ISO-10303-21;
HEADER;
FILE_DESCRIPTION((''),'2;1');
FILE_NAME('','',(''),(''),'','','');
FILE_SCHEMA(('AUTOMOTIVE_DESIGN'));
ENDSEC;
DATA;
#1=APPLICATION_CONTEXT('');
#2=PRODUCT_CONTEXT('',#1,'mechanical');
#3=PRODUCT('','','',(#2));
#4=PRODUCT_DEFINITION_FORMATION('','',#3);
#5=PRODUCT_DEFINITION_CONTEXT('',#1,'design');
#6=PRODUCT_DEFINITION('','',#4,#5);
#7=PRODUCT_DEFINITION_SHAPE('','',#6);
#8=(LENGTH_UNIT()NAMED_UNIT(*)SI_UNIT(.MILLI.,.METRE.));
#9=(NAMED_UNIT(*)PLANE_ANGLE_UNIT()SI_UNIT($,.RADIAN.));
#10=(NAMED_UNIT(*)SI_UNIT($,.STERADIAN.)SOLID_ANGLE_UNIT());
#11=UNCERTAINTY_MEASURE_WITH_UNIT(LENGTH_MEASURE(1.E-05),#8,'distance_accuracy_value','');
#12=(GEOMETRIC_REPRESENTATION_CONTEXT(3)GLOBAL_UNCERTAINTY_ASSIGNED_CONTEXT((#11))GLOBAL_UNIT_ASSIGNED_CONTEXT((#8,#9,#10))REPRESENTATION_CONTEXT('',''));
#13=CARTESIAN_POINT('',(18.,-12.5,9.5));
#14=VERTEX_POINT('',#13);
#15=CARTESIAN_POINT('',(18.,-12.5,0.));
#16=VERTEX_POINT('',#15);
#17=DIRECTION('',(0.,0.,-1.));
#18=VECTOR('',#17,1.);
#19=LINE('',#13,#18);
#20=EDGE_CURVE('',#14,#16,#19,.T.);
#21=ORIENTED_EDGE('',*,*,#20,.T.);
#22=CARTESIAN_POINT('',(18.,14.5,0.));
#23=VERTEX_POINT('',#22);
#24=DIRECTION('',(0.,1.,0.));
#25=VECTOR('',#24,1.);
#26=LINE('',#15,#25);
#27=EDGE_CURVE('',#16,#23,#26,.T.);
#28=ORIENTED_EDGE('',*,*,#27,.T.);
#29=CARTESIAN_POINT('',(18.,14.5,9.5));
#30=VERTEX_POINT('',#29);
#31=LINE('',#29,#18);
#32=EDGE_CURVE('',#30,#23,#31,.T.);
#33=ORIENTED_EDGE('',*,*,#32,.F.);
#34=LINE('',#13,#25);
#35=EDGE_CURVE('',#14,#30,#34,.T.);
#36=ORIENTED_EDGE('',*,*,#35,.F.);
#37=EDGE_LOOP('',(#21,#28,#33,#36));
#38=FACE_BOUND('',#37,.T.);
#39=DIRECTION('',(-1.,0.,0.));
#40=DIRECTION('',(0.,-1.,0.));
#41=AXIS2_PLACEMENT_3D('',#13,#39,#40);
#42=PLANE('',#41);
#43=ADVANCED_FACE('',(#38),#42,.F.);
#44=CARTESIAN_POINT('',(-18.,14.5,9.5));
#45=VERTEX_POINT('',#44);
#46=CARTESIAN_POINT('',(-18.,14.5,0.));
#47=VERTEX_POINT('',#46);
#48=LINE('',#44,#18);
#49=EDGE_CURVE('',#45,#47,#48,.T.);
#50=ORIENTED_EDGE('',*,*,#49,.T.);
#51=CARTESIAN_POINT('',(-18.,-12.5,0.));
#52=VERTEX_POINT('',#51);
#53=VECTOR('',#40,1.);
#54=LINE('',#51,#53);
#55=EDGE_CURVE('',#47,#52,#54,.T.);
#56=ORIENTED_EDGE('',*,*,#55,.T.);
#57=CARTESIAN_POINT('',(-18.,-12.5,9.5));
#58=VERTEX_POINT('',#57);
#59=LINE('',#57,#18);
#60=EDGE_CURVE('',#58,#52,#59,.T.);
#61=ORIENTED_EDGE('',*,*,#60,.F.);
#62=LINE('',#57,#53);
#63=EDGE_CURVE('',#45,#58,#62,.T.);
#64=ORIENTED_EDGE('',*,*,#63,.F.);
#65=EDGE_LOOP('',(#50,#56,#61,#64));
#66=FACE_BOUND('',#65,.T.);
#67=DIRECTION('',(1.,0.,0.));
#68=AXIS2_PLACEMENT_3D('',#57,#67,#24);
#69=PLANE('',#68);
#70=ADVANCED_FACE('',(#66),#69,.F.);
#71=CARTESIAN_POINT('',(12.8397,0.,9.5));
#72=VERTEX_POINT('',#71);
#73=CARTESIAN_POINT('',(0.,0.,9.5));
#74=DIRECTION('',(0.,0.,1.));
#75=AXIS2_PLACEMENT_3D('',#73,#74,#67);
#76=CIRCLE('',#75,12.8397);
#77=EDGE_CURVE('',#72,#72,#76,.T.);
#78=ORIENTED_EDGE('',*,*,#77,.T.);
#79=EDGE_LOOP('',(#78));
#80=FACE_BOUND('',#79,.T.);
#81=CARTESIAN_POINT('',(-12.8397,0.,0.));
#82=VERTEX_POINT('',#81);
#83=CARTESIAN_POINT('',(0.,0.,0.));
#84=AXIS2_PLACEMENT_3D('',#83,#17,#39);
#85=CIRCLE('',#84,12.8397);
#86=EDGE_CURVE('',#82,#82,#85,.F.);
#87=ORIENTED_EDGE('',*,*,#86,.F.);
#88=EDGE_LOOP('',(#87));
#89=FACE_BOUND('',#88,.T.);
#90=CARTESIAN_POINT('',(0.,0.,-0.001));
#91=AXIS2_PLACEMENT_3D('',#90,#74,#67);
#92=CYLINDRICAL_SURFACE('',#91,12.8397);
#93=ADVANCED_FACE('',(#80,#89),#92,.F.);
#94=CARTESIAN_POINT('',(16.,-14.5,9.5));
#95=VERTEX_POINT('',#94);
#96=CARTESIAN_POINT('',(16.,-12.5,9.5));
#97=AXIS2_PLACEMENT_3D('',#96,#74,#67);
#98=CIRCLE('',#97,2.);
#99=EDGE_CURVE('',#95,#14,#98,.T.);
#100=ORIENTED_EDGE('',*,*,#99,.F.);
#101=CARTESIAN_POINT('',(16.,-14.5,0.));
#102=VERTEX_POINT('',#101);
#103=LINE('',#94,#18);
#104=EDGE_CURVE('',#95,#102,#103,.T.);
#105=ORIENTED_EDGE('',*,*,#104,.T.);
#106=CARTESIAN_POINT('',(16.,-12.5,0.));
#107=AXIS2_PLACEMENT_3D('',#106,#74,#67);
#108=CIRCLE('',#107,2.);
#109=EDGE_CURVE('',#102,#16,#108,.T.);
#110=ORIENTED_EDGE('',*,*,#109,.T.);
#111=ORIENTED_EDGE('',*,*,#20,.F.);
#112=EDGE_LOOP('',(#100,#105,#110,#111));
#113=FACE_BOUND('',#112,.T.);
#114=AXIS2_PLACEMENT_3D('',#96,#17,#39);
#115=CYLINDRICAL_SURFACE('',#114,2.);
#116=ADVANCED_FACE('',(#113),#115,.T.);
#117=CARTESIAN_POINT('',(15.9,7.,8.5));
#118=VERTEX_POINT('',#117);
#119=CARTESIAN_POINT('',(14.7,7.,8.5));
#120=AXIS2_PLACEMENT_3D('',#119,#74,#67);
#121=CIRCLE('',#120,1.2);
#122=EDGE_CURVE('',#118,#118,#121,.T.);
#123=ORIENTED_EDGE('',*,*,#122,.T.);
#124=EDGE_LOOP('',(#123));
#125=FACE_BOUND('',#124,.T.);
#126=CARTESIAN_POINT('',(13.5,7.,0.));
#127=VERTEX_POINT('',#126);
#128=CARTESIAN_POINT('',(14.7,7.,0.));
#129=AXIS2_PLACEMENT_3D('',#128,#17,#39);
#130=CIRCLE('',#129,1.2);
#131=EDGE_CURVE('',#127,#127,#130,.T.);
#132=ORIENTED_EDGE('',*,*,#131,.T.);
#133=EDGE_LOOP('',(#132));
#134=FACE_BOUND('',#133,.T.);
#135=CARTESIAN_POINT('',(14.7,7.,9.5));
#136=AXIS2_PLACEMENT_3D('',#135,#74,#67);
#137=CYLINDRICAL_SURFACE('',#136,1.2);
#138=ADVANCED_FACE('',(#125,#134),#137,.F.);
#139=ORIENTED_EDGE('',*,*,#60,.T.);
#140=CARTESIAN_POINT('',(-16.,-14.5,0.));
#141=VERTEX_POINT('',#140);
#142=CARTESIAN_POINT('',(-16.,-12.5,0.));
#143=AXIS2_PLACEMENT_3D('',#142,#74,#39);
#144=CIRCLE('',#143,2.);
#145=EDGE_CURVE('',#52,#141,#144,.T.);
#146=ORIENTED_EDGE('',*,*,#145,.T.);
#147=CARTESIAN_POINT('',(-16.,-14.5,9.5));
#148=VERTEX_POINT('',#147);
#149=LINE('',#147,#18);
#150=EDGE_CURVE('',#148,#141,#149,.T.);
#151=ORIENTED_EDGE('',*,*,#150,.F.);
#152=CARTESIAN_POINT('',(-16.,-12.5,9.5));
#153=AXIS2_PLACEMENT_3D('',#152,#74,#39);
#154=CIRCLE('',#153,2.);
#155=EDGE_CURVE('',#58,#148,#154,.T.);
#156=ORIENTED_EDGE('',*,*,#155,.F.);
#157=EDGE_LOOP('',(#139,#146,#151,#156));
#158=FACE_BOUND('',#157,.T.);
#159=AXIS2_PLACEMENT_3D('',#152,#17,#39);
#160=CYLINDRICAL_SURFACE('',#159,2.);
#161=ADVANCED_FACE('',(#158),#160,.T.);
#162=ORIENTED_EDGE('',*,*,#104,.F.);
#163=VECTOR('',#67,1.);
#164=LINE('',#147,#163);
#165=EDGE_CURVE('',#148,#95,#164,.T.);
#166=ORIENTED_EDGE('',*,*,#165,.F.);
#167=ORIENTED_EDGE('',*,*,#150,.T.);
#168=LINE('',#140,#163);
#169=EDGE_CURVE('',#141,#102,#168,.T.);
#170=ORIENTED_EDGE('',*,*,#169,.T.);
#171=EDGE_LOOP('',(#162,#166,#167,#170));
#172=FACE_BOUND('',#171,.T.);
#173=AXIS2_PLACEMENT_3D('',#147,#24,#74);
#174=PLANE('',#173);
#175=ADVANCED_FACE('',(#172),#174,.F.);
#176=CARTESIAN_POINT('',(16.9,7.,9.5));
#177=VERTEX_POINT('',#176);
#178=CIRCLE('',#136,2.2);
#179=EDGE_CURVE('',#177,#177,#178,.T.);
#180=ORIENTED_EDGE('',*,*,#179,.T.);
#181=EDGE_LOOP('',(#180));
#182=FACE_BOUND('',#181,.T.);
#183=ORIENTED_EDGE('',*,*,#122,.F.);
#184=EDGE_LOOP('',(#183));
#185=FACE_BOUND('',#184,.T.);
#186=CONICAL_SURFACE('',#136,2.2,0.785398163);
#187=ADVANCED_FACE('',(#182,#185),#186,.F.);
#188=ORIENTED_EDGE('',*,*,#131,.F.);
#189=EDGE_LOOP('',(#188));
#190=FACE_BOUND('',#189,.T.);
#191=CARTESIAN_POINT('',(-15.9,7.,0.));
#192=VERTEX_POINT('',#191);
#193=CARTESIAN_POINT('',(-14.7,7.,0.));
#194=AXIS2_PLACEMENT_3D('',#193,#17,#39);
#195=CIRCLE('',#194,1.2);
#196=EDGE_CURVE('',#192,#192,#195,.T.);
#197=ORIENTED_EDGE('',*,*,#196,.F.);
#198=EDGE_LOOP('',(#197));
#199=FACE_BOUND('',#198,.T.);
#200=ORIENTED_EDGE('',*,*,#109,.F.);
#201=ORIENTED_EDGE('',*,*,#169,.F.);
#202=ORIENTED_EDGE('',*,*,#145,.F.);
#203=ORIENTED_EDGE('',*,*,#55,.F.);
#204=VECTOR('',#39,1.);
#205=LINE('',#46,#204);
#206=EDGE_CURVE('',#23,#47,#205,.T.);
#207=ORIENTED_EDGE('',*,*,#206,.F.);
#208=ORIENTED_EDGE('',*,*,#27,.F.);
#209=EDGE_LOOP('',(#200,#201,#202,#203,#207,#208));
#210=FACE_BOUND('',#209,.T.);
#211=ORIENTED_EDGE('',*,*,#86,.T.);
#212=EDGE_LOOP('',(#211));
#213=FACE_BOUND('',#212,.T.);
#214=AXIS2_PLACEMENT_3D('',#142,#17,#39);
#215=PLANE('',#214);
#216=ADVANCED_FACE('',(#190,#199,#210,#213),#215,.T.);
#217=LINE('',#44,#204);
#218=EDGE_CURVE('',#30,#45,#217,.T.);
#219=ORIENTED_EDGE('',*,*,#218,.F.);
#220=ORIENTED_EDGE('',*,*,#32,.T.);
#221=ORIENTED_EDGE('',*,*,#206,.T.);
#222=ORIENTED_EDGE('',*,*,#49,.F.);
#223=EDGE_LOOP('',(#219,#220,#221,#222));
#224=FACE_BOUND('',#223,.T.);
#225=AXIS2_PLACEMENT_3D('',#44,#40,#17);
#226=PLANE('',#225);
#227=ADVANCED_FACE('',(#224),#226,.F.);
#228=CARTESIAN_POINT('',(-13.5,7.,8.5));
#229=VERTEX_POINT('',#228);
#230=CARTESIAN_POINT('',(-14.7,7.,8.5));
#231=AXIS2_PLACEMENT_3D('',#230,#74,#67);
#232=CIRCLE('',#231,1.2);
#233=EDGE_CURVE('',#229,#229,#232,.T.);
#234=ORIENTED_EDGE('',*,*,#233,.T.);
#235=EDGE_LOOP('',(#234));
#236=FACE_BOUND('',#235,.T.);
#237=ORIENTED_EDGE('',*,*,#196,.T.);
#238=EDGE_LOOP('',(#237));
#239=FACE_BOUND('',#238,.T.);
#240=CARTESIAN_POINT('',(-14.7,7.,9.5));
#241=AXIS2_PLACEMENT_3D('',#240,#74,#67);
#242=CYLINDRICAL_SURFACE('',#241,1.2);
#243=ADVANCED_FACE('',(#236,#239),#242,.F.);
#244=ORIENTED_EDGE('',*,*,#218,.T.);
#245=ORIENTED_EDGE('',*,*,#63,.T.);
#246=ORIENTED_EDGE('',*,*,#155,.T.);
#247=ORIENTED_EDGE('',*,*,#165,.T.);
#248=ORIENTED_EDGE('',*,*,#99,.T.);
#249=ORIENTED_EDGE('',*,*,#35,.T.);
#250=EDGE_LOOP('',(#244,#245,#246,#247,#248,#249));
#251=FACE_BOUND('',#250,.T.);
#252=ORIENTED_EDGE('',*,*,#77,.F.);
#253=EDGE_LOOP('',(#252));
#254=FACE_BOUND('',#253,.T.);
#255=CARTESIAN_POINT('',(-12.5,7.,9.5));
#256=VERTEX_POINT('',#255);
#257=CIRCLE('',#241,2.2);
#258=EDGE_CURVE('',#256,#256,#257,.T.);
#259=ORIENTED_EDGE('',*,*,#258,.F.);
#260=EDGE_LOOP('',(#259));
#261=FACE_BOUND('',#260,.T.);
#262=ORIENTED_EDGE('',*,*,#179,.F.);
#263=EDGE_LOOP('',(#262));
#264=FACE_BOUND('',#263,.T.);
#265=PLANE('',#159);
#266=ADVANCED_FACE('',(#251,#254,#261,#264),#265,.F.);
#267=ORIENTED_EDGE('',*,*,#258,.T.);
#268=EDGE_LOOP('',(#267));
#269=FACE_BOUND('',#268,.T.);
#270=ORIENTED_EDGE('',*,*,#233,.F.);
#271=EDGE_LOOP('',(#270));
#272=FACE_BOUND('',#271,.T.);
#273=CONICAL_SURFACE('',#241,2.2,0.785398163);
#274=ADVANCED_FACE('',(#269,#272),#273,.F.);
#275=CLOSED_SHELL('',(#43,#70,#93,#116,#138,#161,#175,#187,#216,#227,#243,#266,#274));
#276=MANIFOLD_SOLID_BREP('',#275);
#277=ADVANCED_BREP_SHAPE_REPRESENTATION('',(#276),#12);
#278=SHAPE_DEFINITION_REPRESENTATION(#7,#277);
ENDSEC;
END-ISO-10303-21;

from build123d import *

# Parameters (mm, degrees)
BOSS_EXTRUDE1_DEPTH                                 = 9.5
CUT_EXTRUDE1_REACH                                  = 11.5
SKETCH2_R                                           = 12.8397
CSK_FOR_M2_COUNTERSUNK_FLAT_HEAD_SCREW1_D           = 2.4
CSK_FOR_M2_COUNTERSUNK_FLAT_HEAD_SCREW1_DEPTH       = 9.5
CSK_FOR_M2_COUNTERSUNK_FLAT_HEAD_SCREW1_CSINK_D     = 4.4
CSK_FOR_M2_COUNTERSUNK_FLAT_HEAD_SCREW1_CSINK_ANGLE = 90


with BuildPart() as part:
    # Sketch1 → Boss-Extrude1 (new body)
    with BuildSketch(Plane.XY):
        with BuildLine():
            Line((-16, -14.5), (16, -14.5))
            ThreePointArc((16, -14.5), (17.414213562, -13.914213562), (18, -12.5))
            Line((18, -12.5), (18, 14.5))
            Line((18, 14.5), (-18, 14.5))
            Line((-18, 14.5), (-18, -12.5))
            ThreePointArc((-18, -12.5), (-17.414213562, -13.914213562), (-16, -14.5))
        make_face()
    extrude(amount=BOSS_EXTRUDE1_DEPTH)

    # Sketch2 → Cut-Extrude1 (cut, up to next)
    with BuildSketch(Plane(origin=(0, 0, 9.5), x_dir=(0, 1, 0), z_dir=(0, 0, 1)), mode=Mode.PRIVATE) as cut_extrude1_sk1:
        Circle(SKETCH2_R)
    cut_extrude1_tool1 = extrude(cut_extrude1_sk1.sketch, amount=-CUT_EXTRUDE1_REACH, mode=Mode.PRIVATE) & part.part
    add(cut_extrude1_tool1.solids().sort_by_distance((0, 0, 9.5))[0], mode=Mode.SUBTRACT)

    # CSK for M2 Countersunk Flat Head Screw1
    with Locations(Plane.XY.offset(9.5)):
        with Locations((-14.7, 7), (14.7, 7)):
            CounterSinkHole(CSK_FOR_M2_COUNTERSUNK_FLAT_HEAD_SCREW1_D / 2, CSK_FOR_M2_COUNTERSUNK_FLAT_HEAD_SCREW1_CSINK_D / 2, depth=CSK_FOR_M2_COUNTERSUNK_FLAT_HEAD_SCREW1_DEPTH, counter_sink_angle=CSK_FOR_M2_COUNTERSUNK_FLAT_HEAD_SCREW1_CSINK_ANGLE)


solid = part.part
